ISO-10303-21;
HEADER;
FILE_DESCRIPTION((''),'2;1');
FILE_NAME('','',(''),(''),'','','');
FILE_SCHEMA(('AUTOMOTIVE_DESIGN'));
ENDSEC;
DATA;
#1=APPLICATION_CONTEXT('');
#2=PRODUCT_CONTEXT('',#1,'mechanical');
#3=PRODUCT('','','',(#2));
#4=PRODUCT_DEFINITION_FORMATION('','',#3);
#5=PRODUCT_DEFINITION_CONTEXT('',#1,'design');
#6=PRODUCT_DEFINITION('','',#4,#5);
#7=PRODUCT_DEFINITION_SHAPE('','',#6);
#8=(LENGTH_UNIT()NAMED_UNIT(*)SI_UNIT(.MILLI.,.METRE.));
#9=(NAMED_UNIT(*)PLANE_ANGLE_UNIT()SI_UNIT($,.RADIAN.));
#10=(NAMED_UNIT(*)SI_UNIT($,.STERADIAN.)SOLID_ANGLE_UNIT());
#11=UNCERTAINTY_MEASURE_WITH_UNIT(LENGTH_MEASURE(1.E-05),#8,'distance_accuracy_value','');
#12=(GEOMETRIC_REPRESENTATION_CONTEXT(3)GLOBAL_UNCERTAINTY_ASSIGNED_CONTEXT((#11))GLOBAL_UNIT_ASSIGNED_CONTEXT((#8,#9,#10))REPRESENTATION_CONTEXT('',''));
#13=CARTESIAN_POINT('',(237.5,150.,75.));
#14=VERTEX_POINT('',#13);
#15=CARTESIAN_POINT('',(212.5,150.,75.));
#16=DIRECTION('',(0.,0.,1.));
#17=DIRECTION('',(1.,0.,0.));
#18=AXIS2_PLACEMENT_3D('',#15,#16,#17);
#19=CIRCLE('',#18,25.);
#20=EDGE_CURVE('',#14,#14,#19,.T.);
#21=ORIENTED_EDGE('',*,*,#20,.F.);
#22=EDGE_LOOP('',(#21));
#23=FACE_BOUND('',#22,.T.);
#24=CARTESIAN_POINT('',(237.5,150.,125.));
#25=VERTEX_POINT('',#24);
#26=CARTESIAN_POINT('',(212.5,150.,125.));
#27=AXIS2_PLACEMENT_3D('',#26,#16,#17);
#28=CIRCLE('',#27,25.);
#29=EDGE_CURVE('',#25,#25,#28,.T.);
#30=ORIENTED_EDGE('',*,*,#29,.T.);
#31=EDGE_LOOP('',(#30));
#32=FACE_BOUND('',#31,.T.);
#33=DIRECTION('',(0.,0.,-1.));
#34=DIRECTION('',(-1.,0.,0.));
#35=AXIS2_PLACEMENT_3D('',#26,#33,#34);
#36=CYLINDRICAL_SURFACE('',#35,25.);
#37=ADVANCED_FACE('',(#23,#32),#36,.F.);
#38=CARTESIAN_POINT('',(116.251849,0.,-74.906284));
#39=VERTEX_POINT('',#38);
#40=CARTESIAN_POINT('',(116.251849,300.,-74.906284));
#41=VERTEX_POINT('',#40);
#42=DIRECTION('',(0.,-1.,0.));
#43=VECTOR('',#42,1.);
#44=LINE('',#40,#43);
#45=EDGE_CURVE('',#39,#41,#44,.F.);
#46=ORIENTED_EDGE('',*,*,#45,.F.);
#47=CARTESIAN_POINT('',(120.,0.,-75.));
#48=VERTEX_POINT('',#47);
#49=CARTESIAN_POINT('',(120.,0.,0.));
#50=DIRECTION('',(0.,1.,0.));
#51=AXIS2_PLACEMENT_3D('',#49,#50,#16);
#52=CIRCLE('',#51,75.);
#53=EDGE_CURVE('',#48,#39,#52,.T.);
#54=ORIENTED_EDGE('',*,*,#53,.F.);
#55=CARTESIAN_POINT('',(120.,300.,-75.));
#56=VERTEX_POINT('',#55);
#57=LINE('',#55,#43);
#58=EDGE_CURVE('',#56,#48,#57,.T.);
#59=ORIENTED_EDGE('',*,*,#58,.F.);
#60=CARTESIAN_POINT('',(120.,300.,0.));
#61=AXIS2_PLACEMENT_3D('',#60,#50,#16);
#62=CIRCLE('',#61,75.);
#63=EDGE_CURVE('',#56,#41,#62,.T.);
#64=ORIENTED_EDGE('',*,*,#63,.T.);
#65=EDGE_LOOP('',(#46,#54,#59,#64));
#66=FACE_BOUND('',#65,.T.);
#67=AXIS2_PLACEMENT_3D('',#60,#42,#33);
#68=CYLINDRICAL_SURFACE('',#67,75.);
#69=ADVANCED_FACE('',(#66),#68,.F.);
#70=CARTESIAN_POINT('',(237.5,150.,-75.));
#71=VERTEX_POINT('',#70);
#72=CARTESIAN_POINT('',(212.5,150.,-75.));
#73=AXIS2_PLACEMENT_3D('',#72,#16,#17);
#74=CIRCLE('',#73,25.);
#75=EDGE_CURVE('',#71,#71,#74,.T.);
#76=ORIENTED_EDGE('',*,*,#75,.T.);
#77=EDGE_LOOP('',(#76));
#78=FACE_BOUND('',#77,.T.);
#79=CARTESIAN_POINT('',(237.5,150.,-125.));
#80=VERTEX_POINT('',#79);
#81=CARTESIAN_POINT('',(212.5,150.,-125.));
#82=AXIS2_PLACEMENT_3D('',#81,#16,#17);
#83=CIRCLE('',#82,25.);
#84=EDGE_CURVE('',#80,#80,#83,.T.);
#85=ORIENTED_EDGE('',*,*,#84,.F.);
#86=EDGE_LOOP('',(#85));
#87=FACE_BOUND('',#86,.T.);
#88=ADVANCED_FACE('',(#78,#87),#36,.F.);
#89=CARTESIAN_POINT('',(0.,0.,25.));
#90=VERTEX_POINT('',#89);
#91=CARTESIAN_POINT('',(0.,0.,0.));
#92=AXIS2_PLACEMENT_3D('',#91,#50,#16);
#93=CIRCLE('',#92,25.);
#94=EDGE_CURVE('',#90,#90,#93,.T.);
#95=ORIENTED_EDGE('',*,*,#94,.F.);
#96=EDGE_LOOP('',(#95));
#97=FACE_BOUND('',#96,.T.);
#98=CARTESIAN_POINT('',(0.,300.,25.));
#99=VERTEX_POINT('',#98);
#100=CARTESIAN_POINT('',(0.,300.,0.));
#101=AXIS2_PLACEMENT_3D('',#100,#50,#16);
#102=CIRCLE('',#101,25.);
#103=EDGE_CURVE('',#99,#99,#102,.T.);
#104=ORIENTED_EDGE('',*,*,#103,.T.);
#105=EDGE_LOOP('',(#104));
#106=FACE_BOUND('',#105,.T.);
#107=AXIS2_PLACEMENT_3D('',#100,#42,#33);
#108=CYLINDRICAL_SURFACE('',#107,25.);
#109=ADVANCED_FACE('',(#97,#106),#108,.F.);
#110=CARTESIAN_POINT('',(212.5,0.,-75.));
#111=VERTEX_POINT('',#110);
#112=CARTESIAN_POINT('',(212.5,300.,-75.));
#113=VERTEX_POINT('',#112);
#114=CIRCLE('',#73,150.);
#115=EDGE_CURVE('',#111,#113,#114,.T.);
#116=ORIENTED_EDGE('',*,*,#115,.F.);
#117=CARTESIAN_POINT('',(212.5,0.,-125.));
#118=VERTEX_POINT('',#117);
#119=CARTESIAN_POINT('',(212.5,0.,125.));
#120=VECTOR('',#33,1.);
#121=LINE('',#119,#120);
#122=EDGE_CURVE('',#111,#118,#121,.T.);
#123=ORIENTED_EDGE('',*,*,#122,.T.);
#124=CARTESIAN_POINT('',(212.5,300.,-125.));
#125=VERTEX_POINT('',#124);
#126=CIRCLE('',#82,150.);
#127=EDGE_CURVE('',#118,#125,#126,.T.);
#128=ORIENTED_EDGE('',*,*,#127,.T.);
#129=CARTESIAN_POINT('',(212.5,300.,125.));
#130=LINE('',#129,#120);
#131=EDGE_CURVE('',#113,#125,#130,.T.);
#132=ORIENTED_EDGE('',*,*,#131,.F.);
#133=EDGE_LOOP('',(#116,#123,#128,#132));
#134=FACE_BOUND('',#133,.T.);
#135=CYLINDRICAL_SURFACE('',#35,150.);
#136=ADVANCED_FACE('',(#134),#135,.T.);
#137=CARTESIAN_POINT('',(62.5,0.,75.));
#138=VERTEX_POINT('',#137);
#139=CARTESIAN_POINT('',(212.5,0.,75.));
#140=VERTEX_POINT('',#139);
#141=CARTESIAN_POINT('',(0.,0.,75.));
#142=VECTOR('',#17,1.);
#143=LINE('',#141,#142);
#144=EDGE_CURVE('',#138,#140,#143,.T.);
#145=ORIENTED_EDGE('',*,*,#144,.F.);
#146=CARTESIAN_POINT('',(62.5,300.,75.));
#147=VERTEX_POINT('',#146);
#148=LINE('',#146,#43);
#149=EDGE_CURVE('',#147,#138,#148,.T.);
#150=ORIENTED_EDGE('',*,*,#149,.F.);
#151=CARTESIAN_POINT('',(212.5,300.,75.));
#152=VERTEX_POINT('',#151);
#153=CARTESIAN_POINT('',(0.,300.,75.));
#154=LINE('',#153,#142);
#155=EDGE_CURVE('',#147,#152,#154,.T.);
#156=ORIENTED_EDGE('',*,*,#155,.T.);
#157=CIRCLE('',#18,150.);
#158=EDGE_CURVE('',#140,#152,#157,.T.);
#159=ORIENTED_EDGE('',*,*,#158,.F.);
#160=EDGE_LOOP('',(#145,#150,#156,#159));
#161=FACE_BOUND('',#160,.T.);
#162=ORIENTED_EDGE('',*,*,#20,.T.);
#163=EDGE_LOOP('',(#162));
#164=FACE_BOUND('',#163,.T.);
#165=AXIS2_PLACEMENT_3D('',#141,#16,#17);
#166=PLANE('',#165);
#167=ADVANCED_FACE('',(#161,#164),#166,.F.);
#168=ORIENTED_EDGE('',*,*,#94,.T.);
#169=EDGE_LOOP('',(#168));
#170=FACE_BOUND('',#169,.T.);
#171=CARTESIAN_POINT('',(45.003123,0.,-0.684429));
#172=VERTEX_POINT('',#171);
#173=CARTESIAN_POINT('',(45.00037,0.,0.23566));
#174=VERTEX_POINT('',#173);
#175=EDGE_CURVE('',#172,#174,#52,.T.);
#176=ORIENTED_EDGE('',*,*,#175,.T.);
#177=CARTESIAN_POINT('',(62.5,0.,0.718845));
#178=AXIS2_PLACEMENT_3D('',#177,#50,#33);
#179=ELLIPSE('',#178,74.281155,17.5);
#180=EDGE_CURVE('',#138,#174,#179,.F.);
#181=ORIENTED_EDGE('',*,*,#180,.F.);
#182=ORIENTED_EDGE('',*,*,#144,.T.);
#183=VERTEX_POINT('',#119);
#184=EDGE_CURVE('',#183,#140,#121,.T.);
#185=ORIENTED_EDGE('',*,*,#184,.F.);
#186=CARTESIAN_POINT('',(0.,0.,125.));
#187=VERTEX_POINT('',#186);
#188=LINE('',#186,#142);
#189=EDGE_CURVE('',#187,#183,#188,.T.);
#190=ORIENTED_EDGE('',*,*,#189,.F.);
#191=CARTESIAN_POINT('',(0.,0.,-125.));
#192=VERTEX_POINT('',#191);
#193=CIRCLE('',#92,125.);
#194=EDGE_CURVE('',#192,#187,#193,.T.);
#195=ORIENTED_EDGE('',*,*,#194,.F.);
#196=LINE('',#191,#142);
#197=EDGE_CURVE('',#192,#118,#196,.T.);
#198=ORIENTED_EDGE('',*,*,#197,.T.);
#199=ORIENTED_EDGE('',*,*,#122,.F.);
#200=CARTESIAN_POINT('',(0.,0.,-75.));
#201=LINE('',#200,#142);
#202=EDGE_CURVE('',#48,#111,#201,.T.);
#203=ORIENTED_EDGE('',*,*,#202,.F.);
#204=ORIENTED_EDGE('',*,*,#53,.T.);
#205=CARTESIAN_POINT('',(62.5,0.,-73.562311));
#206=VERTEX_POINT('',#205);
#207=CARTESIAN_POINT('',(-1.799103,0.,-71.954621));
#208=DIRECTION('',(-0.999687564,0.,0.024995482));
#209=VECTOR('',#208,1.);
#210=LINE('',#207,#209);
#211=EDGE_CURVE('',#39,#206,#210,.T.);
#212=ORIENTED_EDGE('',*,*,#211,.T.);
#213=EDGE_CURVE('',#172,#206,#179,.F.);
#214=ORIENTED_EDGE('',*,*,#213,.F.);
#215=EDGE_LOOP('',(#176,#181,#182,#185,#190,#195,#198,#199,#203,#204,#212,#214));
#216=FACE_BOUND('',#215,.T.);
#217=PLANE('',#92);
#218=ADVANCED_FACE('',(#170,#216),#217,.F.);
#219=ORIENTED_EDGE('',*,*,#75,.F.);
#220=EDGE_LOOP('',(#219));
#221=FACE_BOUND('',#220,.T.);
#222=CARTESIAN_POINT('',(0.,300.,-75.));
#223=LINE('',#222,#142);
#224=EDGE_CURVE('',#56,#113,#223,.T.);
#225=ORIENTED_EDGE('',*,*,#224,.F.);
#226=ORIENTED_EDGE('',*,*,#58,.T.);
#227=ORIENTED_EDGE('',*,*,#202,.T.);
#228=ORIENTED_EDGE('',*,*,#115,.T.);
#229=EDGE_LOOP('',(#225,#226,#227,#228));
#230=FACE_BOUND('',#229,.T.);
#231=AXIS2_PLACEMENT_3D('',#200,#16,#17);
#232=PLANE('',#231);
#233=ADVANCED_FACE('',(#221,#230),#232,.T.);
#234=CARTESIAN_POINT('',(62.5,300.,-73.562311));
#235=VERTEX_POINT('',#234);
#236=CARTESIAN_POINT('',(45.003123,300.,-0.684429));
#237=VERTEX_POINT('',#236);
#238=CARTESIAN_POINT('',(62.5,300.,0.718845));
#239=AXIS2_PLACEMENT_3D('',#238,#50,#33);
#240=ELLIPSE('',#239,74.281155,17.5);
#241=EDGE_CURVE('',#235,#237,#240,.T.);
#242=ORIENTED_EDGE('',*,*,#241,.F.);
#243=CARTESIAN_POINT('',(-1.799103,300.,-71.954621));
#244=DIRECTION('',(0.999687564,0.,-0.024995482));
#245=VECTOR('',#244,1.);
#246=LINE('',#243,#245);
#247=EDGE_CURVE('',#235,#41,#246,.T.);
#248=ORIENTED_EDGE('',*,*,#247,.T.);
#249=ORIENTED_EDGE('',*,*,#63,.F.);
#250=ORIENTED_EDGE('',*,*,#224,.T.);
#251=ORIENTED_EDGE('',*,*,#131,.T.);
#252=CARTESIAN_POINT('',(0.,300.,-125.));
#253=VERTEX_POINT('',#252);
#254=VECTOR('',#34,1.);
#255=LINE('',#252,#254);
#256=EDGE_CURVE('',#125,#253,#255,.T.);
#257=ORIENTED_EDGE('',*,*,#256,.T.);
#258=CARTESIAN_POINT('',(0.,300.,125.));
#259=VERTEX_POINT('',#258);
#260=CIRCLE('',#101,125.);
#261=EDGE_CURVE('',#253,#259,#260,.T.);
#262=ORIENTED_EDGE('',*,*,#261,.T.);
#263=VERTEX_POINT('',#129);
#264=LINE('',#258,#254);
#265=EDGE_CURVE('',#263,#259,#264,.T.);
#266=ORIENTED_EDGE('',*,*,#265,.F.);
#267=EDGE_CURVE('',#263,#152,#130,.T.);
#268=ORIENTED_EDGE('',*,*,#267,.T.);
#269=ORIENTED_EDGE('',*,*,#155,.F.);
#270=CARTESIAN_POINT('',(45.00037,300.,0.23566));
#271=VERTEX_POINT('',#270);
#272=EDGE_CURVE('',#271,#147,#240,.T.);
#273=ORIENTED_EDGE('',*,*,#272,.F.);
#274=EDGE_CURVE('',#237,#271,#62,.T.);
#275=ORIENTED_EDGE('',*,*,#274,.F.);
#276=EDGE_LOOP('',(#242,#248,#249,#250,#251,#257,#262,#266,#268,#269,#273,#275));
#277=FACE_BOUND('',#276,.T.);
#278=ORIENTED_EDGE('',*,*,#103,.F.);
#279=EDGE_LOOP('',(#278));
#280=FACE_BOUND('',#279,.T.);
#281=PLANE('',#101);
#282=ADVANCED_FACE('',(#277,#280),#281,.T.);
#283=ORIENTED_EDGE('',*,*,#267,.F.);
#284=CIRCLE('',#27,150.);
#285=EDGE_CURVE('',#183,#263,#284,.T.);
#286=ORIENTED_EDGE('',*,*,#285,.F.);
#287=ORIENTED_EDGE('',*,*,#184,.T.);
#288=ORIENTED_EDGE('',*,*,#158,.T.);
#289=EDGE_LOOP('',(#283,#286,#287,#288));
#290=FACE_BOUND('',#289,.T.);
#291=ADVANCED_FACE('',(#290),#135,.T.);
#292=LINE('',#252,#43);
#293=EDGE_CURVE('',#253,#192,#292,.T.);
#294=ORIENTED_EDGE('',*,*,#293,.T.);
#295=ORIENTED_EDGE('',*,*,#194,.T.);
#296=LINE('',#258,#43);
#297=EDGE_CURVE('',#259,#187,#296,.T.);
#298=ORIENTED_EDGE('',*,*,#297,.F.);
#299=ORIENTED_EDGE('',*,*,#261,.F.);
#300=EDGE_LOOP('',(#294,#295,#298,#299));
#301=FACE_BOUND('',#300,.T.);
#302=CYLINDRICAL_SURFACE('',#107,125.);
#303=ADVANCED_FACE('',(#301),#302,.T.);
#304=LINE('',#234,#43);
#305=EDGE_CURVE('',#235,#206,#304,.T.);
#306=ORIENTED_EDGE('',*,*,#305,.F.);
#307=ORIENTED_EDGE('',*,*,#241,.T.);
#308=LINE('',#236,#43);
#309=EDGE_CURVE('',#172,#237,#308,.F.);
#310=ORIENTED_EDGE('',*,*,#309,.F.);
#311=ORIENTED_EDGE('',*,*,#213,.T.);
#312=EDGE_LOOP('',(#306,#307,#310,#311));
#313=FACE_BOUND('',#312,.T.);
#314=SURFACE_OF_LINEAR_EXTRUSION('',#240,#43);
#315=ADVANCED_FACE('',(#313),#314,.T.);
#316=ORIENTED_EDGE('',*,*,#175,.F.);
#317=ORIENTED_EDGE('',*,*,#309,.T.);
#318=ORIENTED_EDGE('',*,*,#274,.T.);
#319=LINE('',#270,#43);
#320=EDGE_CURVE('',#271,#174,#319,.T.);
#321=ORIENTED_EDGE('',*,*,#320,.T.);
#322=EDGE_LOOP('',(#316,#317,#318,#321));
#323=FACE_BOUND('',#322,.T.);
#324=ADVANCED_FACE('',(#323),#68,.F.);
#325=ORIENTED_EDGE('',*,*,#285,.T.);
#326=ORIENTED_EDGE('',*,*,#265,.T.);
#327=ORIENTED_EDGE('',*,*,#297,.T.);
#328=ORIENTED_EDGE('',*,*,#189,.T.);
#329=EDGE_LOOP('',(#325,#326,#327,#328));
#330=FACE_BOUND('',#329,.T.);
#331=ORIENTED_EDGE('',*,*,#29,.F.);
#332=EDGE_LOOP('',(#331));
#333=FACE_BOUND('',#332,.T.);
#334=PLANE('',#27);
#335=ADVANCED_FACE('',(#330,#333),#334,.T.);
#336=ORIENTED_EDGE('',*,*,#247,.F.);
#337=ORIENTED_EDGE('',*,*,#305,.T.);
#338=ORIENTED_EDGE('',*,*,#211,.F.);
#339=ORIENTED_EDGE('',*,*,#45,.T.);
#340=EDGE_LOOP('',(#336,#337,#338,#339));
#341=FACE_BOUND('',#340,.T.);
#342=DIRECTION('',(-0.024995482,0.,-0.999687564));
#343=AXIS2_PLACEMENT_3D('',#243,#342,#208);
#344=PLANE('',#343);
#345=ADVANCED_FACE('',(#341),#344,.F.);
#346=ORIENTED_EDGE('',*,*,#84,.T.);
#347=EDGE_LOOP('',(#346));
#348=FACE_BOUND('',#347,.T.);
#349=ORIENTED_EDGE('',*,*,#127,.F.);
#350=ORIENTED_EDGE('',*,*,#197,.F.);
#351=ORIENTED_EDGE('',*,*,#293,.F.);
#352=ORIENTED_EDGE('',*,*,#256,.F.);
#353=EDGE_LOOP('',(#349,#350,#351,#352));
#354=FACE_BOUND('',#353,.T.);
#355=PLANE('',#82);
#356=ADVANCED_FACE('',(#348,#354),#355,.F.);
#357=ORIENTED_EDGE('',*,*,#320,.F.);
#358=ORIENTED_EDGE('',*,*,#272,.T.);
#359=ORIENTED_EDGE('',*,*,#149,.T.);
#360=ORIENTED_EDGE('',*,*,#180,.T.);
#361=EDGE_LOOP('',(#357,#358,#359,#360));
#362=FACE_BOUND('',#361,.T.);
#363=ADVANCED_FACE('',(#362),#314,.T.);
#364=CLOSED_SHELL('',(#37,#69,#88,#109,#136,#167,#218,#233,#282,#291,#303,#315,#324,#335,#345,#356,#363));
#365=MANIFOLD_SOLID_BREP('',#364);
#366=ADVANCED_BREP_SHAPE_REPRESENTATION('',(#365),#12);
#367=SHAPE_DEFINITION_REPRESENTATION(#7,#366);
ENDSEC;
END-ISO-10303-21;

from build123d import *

# Parameters (mm, degrees)
SKETCH1_R               = 125
SKETCH1_R_2             = 25
BOSS_EXTRUDE1_DEPTH     = 300
SKETCH2_R               = 25
BOSS_EXTRUDE2_DEPTH     = 125
CUT_EXTRUDE2_DEPTH      = 75
BOSS_EXTRUDE3_DEPTH     = 300
SKETCH6_R               = 25
CUT_EXTRUDE3_DEPTH      = 487.858552354
CUT_EXTRUDE4_DEPTH      = 487.858552354
CUT_EXTRUDE4_DEPTH_BACK = 487.858552354


with BuildPart() as part:
    # Sketch1 → Boss-Extrude1 (new body)
    with BuildSketch(Plane(origin=(0, 0, 0), x_dir=(1, 0, 0), z_dir=(0, 1, 0))):
        with Locations(Location((0, 0, 0), (0, 0, 270))):
            Circle(SKETCH1_R)
        with Locations(Location((0, 0, 0), (0, 0, 270))):
            Circle(SKETCH1_R_2, mode=Mode.SUBTRACT)
    extrude(amount=BOSS_EXTRUDE1_DEPTH)

    # Sketch2 → Boss-Extrude2 (add, symmetric)
    with BuildSketch(Plane.XY):
        with BuildLine():
            Line((0, 300), (0, 0))
            Line((0, 0), (212.5, 0))
            ThreePointArc((212.5, 0), (362.5, 150), (212.5, 300))
            Line((212.5, 300), (0, 300))
        make_face()
        with Locations((212.5, 150)):
            Circle(SKETCH2_R, mode=Mode.SUBTRACT)
    extrude(amount=BOSS_EXTRUDE2_DEPTH, both=True)

    # Sketch4 → Cut-Extrude2 (cut, symmetric)
    with BuildSketch(Plane.XY):
        with BuildLine():
            Line((3.772306617, 300), (3.772306617, 0))
            Line((3.772306617, 0), (150, 0))
            ThreePointArc((150, 0), (375, 150), (150, 300))
            Line((150, 300), (3.772306617, 300))
        make_face()
    extrude(amount=CUT_EXTRUDE2_DEPTH, both=True, mode=Mode.SUBTRACT)

    # Sketch5 → Boss-Extrude3 (add, through all)
    with BuildSketch(Plane(origin=(0, 0, 0), x_dir=(1, 0, 0), z_dir=(0, 1, 0))):
        with BuildLine():
            Line((120, 75), (3.772306617, 75))
            Line((3.772306617, 75), (3.772306617, 24.713755336))
            ThreePointArc((3.772306617, 24.713755336), (18.964541458, 16.28944957), (25, 0))
            ThreePointArc((25, 0), (18.964541458, -16.28944957), (3.772306617, -24.713755336))
            Line((3.772306617, -24.713755336), (3.772306617, -75))
            Line((3.772306617, -75), (120, -75))
            ThreePointArc((120, -75), (45, 0), (120, 75))
        make_face()
    extrude(amount=BOSS_EXTRUDE3_DEPTH)

    # Sketch6 → Cut-Extrude3 (cut, through all)
    with BuildSketch(Plane(origin=(0, 300, 0), x_dir=(1, 0, 0), z_dir=(0, 1, 0))):
        with Locations(Location((0, 0, 0), (0, 0, 270))):
            Circle(SKETCH6_R)
    extrude(amount=-CUT_EXTRUDE3_DEPTH, mode=Mode.SUBTRACT)

    # Sketch10 → Cut-Extrude4 (cut, two sides: drawn at the far end of the back side and taken through both)
    with BuildSketch(Plane(origin=(0, 0, 0), x_dir=(1, 0, 0), z_dir=(0, 1, 0)).offset(-CUT_EXTRUDE4_DEPTH_BACK)):
        with BuildLine():
            Line((62.5, 73.562310608), (120, 75))
            Line((120, 75), (120, -75))
            Line((120, -75), (62.5, -75))
            add(Edge.make_bspline(
                [(62.5, 73.562310608), (45, 73.562310608), (45, -0.718844696), (45, -75), (62.5, -75)],
                knots=[0, 0, 0, 1.570796327, 1.570796327, 3.141592654, 3.141592654, 3.141592654], degree=2, weights=[1, 0.707106781, 1, 0.707106781, 1]))
        make_face()
    extrude(amount=CUT_EXTRUDE4_DEPTH + CUT_EXTRUDE4_DEPTH_BACK, mode=Mode.SUBTRACT)


solid = part.part
